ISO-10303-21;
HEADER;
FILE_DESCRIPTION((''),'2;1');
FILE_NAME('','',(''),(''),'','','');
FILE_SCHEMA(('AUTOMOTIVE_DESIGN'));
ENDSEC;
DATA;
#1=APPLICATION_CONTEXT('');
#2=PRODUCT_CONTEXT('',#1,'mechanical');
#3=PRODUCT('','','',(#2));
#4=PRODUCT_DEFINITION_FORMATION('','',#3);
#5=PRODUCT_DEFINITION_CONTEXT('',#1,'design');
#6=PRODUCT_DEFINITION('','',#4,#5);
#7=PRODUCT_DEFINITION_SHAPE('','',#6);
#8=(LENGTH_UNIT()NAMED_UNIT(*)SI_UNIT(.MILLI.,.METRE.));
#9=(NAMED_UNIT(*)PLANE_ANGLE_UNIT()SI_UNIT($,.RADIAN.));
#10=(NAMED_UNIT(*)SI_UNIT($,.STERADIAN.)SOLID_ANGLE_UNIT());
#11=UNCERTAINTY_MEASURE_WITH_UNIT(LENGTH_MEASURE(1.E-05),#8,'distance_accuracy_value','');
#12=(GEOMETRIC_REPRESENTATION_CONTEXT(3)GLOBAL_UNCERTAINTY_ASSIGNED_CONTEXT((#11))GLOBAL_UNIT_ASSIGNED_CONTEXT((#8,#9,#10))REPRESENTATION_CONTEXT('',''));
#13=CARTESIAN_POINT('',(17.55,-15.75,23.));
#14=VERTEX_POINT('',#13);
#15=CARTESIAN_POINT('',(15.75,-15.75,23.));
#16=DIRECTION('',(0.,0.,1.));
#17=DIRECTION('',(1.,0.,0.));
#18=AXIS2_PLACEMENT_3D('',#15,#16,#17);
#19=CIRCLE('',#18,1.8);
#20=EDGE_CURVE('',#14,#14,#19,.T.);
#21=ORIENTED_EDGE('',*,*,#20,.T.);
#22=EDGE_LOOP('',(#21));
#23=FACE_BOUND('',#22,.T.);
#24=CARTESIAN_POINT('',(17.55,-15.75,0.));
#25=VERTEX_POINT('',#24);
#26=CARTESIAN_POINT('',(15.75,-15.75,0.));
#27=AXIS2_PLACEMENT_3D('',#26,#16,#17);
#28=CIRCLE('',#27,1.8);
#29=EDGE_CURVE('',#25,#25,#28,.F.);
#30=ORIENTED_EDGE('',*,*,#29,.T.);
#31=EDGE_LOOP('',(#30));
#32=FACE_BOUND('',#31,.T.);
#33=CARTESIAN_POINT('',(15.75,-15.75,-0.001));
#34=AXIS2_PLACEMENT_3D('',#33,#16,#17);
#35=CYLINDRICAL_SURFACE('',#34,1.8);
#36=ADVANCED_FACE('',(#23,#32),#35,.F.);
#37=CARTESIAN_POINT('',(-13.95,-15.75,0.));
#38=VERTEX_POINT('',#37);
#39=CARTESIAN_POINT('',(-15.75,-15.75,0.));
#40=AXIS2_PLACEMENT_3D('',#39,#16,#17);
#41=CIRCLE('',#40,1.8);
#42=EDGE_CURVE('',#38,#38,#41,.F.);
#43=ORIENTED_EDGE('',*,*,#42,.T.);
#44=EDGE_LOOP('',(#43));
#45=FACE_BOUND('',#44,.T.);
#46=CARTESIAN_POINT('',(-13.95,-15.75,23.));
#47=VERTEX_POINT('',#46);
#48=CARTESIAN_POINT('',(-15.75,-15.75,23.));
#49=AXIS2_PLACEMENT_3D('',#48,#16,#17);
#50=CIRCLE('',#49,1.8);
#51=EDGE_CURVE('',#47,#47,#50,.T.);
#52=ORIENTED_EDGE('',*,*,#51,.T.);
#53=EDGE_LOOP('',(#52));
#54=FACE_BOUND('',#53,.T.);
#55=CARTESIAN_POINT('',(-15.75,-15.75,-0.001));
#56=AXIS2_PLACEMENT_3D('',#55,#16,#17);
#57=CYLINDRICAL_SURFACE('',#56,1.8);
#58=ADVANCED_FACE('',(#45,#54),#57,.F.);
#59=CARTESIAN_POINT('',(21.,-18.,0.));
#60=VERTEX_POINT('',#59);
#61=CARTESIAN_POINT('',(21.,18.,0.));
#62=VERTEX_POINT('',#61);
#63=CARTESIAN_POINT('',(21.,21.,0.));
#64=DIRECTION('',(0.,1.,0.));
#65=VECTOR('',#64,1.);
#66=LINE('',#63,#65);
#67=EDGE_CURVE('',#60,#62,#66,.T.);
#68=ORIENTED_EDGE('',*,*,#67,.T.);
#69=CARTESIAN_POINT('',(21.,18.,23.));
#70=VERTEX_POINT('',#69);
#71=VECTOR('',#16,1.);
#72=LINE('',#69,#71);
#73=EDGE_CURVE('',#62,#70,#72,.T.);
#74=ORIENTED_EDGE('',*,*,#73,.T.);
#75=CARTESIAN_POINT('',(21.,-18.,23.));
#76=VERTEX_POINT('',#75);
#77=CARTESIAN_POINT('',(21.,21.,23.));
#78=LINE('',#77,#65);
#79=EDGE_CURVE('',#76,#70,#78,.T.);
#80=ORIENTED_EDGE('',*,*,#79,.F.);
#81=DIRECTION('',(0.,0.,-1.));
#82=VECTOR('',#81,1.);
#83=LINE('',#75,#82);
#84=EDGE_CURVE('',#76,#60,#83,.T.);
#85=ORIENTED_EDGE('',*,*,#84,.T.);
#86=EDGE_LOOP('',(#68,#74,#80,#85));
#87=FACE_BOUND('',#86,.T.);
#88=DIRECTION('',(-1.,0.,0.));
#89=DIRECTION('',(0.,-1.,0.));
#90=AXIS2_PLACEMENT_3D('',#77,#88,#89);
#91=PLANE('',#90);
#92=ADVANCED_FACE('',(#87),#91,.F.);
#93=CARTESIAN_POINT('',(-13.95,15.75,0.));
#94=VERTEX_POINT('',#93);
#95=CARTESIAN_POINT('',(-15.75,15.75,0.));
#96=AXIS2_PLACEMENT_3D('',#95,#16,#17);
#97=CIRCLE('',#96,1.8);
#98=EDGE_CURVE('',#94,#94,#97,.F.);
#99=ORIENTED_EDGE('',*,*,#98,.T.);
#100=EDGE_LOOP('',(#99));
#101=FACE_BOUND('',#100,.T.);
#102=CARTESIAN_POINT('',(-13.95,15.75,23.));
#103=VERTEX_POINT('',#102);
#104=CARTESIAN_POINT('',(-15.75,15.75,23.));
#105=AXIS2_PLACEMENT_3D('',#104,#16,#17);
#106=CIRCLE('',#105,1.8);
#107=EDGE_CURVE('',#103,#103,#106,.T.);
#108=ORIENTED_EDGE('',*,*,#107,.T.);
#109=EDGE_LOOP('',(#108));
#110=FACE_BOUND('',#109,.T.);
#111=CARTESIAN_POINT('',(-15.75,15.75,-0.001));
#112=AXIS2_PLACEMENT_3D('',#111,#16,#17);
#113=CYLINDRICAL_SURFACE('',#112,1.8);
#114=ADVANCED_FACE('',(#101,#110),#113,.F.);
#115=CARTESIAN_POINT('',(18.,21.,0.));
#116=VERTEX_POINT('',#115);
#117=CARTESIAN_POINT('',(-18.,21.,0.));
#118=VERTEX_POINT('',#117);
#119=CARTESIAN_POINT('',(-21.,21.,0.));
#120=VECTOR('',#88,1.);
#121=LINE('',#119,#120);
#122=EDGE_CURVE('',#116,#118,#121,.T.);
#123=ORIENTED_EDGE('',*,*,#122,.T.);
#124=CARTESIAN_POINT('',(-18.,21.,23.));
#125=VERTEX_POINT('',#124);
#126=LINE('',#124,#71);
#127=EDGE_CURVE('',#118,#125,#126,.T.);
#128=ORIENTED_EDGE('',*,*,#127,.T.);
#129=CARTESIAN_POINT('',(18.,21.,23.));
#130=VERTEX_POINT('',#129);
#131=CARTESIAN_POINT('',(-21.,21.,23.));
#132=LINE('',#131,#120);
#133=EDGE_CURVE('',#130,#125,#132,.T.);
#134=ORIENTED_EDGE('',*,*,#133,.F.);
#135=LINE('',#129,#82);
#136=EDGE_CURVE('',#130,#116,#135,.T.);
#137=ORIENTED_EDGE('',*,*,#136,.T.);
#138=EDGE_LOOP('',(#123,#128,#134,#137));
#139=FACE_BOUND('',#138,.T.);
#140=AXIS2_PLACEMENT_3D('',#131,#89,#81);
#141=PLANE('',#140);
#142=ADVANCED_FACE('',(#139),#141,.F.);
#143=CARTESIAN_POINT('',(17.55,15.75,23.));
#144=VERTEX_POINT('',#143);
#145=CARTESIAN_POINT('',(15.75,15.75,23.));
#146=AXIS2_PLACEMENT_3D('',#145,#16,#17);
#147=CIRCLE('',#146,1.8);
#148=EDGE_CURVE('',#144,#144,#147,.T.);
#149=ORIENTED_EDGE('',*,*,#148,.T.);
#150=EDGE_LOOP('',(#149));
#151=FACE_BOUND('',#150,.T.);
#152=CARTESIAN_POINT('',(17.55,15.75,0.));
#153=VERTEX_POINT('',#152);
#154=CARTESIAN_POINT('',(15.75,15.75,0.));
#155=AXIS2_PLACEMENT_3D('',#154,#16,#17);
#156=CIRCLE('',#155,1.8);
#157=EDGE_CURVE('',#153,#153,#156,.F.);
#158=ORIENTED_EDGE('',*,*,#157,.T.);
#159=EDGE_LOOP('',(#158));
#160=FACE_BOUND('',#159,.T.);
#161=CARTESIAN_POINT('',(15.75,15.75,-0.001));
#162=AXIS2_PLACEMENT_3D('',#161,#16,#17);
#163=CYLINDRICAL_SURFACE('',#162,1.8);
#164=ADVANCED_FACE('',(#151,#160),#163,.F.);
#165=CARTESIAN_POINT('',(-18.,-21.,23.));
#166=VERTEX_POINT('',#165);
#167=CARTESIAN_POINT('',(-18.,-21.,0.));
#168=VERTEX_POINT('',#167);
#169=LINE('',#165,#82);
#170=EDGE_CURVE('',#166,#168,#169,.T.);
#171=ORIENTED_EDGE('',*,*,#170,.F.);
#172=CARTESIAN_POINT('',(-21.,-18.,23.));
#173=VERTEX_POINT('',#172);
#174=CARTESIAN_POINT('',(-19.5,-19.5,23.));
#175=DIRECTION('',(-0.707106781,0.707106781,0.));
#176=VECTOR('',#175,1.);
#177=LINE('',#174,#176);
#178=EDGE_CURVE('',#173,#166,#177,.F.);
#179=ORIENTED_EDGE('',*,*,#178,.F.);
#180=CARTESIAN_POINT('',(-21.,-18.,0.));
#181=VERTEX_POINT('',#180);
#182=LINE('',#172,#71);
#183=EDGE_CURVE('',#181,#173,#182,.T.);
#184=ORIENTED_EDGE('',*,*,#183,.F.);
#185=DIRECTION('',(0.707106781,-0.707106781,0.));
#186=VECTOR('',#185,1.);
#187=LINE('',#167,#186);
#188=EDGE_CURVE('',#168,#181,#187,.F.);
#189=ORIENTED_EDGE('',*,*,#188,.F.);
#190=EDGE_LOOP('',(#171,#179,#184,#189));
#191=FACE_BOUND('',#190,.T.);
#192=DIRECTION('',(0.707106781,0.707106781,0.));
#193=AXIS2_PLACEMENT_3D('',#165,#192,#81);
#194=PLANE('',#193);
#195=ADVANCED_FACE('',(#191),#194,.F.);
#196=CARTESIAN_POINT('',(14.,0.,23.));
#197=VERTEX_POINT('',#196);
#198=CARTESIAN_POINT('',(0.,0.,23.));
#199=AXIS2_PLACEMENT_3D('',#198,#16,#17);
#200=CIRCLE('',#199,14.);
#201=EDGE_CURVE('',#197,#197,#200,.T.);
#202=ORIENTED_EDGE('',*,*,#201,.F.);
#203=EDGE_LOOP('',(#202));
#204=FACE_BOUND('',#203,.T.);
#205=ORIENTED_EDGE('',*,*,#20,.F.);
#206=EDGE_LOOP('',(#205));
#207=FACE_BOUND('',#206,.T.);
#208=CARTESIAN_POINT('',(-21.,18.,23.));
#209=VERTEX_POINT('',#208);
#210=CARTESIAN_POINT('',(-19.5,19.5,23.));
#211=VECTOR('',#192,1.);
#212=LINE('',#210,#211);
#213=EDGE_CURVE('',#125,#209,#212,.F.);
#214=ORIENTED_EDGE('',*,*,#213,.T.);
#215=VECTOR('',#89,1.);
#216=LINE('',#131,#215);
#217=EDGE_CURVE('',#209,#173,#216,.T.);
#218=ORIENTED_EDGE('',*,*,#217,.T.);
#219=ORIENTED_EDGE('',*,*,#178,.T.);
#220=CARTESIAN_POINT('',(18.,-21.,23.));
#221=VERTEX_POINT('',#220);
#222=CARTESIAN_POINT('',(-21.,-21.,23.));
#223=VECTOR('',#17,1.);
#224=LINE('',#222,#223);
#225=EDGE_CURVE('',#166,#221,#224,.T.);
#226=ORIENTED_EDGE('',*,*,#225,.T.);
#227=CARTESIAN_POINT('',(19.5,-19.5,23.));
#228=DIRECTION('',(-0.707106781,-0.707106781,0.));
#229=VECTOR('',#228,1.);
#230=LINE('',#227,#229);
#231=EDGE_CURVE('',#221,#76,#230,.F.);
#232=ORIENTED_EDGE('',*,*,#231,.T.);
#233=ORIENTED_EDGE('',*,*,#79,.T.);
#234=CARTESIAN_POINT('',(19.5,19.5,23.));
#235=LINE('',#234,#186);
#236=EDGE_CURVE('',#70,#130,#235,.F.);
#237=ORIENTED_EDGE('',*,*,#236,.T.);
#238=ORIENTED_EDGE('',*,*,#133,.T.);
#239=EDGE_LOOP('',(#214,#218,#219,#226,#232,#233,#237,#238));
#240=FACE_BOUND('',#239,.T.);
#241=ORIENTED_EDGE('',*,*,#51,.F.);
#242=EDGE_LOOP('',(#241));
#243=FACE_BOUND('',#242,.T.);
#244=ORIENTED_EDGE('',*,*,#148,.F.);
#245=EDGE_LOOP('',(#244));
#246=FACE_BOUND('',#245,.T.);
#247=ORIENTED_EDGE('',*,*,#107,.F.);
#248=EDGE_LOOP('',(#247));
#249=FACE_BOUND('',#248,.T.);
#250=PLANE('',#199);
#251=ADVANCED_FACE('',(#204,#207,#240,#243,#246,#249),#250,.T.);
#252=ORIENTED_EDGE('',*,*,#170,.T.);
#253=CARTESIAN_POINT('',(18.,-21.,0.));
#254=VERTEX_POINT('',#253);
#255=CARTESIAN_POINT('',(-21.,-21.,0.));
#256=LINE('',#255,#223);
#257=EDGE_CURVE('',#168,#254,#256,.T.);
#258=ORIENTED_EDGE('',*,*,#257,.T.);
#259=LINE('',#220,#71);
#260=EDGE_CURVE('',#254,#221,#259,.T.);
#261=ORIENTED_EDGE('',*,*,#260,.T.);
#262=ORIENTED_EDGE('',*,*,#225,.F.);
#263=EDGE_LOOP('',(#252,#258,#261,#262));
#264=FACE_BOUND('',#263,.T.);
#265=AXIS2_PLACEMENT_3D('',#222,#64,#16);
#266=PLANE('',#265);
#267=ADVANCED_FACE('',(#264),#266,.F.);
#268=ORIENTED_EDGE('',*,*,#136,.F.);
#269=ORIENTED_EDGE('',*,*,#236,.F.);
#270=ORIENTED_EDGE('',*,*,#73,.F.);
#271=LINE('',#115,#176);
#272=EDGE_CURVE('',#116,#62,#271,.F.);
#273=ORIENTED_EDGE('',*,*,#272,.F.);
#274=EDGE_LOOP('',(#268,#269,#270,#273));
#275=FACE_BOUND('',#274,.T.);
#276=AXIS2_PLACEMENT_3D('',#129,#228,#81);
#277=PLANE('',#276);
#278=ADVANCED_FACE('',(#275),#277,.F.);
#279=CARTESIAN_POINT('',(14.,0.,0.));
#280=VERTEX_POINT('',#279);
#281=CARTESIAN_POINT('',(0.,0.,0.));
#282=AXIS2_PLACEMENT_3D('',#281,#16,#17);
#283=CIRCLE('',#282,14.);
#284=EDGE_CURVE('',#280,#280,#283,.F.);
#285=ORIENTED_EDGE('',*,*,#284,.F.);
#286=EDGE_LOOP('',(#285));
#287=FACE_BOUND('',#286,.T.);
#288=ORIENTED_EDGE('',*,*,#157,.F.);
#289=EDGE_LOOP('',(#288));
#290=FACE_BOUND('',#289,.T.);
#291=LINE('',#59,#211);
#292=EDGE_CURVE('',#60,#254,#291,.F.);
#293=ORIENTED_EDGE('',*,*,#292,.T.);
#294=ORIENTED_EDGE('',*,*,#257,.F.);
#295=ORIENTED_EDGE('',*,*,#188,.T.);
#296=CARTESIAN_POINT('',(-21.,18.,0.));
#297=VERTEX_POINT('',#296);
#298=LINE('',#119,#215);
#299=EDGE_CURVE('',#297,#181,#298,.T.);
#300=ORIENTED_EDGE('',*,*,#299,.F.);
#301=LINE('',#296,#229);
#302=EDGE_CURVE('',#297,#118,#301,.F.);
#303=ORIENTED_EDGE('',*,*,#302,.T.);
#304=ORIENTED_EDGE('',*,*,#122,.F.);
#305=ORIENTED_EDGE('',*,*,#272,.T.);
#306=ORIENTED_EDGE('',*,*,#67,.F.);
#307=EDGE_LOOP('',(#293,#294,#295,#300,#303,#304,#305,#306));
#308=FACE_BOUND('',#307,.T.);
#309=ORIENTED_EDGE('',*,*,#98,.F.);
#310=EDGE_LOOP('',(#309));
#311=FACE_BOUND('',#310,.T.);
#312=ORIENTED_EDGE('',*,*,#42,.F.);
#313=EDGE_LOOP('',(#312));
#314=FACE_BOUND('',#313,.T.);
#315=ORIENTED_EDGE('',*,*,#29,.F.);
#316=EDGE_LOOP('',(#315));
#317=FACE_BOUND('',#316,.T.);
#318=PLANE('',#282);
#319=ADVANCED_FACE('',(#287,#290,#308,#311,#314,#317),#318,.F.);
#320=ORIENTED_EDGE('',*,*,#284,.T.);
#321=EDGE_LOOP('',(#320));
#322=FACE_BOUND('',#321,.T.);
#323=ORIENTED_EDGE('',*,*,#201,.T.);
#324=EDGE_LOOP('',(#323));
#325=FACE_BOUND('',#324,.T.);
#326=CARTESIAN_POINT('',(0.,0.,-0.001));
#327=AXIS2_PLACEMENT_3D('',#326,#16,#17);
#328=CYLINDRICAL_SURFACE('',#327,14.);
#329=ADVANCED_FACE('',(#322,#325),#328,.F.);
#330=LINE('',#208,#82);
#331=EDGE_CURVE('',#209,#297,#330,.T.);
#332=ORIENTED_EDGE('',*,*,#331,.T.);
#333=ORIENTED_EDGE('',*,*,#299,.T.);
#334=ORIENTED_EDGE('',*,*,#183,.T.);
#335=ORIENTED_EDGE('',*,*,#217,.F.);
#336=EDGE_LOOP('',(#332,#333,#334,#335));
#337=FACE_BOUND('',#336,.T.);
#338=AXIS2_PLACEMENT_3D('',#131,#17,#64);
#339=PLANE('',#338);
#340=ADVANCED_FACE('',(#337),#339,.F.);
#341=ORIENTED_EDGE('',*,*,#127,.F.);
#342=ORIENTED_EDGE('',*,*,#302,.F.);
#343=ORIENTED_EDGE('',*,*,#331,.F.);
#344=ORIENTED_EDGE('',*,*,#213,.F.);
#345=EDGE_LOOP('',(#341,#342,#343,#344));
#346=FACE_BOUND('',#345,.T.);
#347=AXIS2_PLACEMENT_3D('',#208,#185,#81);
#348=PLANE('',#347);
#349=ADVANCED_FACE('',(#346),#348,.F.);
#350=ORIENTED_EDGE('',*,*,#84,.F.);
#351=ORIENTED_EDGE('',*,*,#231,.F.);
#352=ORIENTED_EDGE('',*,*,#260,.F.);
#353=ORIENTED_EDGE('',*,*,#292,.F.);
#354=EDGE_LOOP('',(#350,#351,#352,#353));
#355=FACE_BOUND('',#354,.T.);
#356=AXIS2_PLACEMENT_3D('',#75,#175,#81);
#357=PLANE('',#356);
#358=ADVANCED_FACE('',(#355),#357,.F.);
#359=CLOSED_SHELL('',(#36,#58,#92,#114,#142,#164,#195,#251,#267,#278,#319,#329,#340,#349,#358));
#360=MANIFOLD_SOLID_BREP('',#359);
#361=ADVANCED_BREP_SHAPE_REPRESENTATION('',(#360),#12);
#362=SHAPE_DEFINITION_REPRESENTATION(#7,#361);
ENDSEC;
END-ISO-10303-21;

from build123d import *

# Parameters (mm, degrees)
SKETCH1_W           = 42
SKETCH1_H           = 42
BOSS_EXTRUDE1_DEPTH = 23
CHAMFER1_SIZE       = 3
CUT_EXTRUDE_2_REACH = 25
SKETCH4_R           = 1.8
CUT_EXTRUDE_3_REACH = 25
SKETCH2_R           = 14


with BuildPart() as part:
    # Sketch1 → Boss-Extrude1 (new body)
    with BuildSketch(Plane.XY):
        Rectangle(SKETCH1_W, SKETCH1_H)
    extrude(amount=BOSS_EXTRUDE1_DEPTH)

    # Chamfer1
    chamfer1_edges = [part.edges().sort_by_distance(p)[0] for p in [
        (21, -21, 11.5),
        (-21, -21, 11.5),
        (-21, 21, 11.5),
        (21, 21, 11.5),
    ]]
    chamfer(chamfer1_edges, length=CHAMFER1_SIZE)

    # Sketch4 → Вырез-Вытянуть2 (cut, up to next)
    with BuildSketch(Plane.XY.offset(23), mode=Mode.PRIVATE) as cut_extrude_2_sk1:
        with Locations((-15.75, 15.75)):
            Circle(SKETCH4_R)
    cut_extrude_2_tool1 = extrude(cut_extrude_2_sk1.sketch, amount=-CUT_EXTRUDE_2_REACH, mode=Mode.PRIVATE) & part.part
    add(cut_extrude_2_tool1.solids().sort_by_distance((-15.75, 15.75, 23))[0], mode=Mode.SUBTRACT)
    # Sketch4 → Вырез-Вытянуть2 (cut, up to next)
    with BuildSketch(Plane.XY.offset(23), mode=Mode.PRIVATE) as cut_extrude_2_sk2:
        with Locations((15.75, 15.75)):
            Circle(SKETCH4_R)
    cut_extrude_2_tool2 = extrude(cut_extrude_2_sk2.sketch, amount=-CUT_EXTRUDE_2_REACH, mode=Mode.PRIVATE) & part.part
    add(cut_extrude_2_tool2.solids().sort_by_distance((15.75, 15.75, 23))[0], mode=Mode.SUBTRACT)
    # Sketch4 → Вырез-Вытянуть2 (cut, up to next)
    with BuildSketch(Plane.XY.offset(23), mode=Mode.PRIVATE) as cut_extrude_2_sk3:
        with Locations((-15.75, -15.75)):
            Circle(SKETCH4_R)
    cut_extrude_2_tool3 = extrude(cut_extrude_2_sk3.sketch, amount=-CUT_EXTRUDE_2_REACH, mode=Mode.PRIVATE) & part.part
    add(cut_extrude_2_tool3.solids().sort_by_distance((-15.75, -15.75, 23))[0], mode=Mode.SUBTRACT)
    # Sketch4 → Вырез-Вытянуть2 (cut, up to next)
    with BuildSketch(Plane.XY.offset(23), mode=Mode.PRIVATE) as cut_extrude_2_sk4:
        with Locations((15.75, -15.75)):
            Circle(SKETCH4_R)
    cut_extrude_2_tool4 = extrude(cut_extrude_2_sk4.sketch, amount=-CUT_EXTRUDE_2_REACH, mode=Mode.PRIVATE) & part.part
    add(cut_extrude_2_tool4.solids().sort_by_distance((15.75, -15.75, 23))[0], mode=Mode.SUBTRACT)

    # Sketch2 → Вырез-Вытянуть3 (cut, up to next)
    with BuildSketch(Plane.XY.offset(23), mode=Mode.PRIVATE) as cut_extrude_3_sk1:
        Circle(SKETCH2_R)
    cut_extrude_3_tool1 = extrude(cut_extrude_3_sk1.sketch, amount=-CUT_EXTRUDE_3_REACH, mode=Mode.PRIVATE) & part.part
    add(cut_extrude_3_tool1.solids().sort_by_distance((0, 0, 23))[0], mode=Mode.SUBTRACT)


solid = part.part
